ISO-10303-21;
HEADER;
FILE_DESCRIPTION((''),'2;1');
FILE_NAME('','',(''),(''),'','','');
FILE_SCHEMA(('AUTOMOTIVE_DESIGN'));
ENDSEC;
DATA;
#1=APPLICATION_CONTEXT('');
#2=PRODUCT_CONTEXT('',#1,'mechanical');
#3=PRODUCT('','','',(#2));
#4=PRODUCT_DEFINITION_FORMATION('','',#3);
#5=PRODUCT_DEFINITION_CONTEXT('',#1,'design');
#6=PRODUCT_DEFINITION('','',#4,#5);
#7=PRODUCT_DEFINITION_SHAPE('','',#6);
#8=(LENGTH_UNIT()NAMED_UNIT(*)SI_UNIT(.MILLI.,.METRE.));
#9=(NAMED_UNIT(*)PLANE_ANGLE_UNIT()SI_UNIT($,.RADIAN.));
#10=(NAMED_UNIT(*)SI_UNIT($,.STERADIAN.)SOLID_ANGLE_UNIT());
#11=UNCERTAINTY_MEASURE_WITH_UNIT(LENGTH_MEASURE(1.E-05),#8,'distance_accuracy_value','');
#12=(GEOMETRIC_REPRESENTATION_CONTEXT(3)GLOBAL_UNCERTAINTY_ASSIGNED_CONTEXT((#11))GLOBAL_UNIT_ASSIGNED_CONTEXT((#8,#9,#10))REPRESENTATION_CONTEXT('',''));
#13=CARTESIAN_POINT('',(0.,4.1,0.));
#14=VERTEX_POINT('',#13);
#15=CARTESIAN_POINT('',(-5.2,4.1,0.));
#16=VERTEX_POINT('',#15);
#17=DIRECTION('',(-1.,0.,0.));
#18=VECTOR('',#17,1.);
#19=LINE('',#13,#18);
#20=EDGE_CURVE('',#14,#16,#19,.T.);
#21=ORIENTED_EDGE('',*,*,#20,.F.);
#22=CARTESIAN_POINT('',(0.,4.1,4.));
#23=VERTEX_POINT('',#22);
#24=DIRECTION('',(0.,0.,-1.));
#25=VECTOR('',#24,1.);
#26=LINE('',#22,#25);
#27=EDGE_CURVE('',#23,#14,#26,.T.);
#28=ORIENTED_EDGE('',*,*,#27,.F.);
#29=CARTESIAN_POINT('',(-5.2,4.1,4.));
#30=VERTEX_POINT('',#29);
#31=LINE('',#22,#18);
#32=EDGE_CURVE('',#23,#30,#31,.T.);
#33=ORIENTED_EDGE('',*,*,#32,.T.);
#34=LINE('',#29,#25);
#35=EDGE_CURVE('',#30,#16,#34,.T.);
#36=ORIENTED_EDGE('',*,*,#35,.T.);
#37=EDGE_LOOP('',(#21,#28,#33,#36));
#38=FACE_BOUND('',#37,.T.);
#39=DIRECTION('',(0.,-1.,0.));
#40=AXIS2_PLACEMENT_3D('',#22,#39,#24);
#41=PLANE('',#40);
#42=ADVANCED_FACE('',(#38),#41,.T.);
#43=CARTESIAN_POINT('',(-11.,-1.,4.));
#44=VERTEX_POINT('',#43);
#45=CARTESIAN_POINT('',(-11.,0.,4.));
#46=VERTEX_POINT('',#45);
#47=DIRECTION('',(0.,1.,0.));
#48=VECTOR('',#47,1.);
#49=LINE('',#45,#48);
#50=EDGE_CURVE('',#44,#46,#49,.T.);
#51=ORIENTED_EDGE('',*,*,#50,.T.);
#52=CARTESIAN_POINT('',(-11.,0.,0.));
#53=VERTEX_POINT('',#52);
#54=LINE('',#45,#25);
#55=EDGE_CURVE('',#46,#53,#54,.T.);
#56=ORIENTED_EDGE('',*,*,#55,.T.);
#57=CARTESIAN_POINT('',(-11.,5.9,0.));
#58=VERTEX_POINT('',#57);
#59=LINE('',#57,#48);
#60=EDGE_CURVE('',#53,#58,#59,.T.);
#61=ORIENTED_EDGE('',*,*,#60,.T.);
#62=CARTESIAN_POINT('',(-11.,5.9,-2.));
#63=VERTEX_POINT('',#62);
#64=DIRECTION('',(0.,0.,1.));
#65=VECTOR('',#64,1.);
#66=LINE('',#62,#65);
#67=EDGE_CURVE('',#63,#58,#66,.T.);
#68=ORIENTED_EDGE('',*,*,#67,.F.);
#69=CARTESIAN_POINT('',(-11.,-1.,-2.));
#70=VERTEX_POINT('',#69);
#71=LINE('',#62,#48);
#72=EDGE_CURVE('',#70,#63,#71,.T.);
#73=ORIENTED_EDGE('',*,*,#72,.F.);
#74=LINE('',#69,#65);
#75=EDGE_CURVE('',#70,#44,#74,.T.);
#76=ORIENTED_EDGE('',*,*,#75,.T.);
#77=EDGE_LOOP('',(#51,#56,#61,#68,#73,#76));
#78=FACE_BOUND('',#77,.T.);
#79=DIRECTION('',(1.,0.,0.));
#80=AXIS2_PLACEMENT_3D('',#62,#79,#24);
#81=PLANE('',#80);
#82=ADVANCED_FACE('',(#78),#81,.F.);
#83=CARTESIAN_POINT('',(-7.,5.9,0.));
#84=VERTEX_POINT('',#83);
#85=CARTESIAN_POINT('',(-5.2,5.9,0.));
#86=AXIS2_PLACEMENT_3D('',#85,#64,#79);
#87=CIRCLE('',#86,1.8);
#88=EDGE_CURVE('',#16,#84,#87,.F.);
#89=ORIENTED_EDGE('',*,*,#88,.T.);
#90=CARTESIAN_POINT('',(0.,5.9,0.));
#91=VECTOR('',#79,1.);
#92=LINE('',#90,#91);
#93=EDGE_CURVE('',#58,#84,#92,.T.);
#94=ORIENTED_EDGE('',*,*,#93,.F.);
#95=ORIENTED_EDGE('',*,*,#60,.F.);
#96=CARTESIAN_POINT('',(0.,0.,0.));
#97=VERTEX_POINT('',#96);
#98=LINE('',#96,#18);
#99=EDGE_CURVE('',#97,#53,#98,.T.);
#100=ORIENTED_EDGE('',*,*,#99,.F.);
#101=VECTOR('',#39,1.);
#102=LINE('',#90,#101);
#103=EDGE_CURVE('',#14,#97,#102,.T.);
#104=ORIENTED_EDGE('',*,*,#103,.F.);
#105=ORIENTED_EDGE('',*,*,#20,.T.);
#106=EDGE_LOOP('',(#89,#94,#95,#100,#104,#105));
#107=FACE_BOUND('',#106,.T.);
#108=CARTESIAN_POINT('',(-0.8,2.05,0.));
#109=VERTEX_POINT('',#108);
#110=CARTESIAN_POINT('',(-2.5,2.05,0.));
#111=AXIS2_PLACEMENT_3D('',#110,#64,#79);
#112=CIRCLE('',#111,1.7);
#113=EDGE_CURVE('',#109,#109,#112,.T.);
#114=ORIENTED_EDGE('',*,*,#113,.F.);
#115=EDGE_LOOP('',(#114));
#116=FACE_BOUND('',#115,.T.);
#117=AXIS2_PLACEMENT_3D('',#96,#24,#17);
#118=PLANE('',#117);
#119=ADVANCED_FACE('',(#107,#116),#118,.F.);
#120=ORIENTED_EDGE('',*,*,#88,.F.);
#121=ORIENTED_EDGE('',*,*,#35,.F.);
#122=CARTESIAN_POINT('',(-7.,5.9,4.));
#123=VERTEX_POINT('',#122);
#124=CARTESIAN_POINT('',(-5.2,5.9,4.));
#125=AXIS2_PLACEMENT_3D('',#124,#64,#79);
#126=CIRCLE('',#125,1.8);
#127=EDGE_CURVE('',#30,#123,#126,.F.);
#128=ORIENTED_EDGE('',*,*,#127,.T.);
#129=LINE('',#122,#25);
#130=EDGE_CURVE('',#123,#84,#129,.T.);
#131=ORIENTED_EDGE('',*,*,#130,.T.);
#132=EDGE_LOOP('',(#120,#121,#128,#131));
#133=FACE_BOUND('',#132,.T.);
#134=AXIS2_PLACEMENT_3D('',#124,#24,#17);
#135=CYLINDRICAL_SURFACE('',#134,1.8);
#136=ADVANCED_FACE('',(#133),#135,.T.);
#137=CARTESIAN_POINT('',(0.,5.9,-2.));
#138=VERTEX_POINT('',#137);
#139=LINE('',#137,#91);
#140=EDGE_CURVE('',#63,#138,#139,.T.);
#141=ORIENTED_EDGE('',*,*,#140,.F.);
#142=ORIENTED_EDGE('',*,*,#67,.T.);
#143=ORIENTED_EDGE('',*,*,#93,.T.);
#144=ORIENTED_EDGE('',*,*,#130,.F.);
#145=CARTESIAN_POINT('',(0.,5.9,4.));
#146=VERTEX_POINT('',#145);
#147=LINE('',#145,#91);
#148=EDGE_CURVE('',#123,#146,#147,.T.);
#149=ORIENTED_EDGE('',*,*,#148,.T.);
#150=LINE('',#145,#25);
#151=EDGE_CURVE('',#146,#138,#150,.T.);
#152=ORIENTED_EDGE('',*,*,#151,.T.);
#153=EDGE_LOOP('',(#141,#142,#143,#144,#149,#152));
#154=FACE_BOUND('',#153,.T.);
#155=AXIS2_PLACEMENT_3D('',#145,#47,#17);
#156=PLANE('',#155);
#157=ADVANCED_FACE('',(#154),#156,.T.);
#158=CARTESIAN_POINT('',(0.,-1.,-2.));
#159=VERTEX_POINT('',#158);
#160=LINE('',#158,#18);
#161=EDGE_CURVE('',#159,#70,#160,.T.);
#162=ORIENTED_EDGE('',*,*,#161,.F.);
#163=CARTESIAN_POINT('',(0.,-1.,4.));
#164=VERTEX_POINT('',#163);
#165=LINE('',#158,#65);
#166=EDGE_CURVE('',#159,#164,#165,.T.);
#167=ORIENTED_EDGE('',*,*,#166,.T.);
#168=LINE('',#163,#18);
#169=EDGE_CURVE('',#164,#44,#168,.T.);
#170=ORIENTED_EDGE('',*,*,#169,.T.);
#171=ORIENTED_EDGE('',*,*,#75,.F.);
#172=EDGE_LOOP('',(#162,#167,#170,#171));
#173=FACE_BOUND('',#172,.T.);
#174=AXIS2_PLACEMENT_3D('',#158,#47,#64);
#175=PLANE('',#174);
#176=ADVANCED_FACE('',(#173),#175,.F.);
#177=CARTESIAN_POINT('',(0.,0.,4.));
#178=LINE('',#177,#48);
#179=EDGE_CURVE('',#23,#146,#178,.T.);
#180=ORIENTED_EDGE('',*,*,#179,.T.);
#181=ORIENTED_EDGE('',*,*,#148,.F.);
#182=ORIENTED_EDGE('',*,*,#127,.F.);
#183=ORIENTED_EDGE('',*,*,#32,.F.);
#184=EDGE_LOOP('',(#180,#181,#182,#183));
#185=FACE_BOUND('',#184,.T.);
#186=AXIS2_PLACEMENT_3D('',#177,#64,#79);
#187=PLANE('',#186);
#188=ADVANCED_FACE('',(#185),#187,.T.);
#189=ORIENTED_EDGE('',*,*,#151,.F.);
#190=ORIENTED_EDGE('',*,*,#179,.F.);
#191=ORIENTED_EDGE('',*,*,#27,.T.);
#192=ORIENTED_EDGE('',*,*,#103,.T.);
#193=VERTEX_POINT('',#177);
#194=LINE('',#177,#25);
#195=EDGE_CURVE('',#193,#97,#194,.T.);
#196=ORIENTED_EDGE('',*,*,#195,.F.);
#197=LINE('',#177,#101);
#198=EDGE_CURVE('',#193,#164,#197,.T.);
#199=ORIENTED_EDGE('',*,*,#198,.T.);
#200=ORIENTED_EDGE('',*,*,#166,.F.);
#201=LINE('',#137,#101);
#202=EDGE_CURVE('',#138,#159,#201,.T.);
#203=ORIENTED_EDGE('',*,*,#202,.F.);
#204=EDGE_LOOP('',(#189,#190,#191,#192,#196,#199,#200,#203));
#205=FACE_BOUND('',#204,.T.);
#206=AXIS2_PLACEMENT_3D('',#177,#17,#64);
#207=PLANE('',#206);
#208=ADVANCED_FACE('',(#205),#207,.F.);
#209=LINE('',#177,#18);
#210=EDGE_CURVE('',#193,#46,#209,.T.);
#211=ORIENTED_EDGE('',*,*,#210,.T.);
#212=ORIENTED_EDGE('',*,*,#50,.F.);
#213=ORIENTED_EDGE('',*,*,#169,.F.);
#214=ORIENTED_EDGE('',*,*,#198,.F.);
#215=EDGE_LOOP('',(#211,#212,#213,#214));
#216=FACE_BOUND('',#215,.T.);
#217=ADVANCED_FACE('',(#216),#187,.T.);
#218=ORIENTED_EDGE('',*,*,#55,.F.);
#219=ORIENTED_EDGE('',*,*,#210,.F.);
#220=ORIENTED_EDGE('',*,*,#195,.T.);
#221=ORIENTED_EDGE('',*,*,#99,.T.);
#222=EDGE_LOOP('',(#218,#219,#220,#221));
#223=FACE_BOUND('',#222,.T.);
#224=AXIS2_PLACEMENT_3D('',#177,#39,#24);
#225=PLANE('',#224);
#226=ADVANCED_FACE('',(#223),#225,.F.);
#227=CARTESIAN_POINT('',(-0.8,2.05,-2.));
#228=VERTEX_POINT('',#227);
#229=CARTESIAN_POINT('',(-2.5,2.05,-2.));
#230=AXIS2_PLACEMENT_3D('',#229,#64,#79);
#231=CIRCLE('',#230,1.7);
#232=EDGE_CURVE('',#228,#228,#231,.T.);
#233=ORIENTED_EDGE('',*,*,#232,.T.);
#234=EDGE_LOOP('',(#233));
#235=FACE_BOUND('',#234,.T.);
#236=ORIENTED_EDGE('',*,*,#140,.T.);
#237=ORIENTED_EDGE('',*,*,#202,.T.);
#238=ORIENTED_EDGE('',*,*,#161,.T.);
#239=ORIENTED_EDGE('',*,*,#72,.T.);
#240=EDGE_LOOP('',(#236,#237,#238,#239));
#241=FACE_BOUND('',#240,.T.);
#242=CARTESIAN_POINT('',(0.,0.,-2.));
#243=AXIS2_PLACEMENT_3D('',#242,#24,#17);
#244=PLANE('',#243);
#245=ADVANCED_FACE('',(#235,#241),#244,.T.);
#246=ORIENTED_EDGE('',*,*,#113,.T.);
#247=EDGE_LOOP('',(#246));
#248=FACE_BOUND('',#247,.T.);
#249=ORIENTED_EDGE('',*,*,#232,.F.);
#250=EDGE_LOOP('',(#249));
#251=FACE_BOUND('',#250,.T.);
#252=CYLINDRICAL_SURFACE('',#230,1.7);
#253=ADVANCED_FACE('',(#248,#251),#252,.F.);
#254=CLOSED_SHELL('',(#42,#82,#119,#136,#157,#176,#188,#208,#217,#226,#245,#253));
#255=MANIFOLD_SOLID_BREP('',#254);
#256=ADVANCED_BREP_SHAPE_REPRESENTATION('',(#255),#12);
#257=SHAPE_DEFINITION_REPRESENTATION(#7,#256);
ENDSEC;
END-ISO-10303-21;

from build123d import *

# Parameters (mm, degrees)
BOSS_EXTRUDE1_DEPTH   = 4
SKETCH2_W             = 11
SKETCH2_H             = 1
BOSS_EXTRUDE1_2_DEPTH = 4
SKETCH3_W             = 11
SKETCH3_H             = 6.9
BOSS_EXTRUDE2_DEPTH   = 2
SKETCH5_R             = 1.7
CUT_EXTRUDE1_DEPTH    = 2


with BuildPart() as part:
    # Sketch2 → Boss-Extrude1 (new body)
    with BuildSketch(Plane.XY):
        with BuildLine():
            Line((-5, 4.1), (0, 4.1))
            Line((0, 4.1), (0, 5.1))
            Line((0, 5.1), (0, 5.9))
            Line((0, 5.9), (-5, 5.9))
            Line((-5, 5.9), (-7, 5.9))
            ThreePointArc((-7, 5.9), (-6.472792206, 4.627207794), (-5.2, 4.1))
            Line((-5.2, 4.1), (-5, 4.1))
        make_face()
    extrude(amount=BOSS_EXTRUDE1_DEPTH)



with BuildPart() as body_2:
    # Sketch2 → Boss-Extrude1 2 (new body)
    with BuildSketch(Plane.XY):
        with Locations((-5.5, -0.5)):
            Rectangle(SKETCH2_W, SKETCH2_H)
    extrude(amount=BOSS_EXTRUDE1_2_DEPTH)


with BuildPart() as part_1:
    add(part.part)

    add(body_2.part)  # Boss-Extrude2 merges body 2
    # Sketch3 → Boss-Extrude2 (add)
    with BuildSketch(Plane(origin=(0, 0, 0), x_dir=(-1, 0, 0), z_dir=(0, 0, -1))):
        with Locations((5.5, 2.45)):
            Rectangle(SKETCH3_W, SKETCH3_H)
    extrude(amount=BOSS_EXTRUDE2_DEPTH)

    # Sketch5 → Cut-Extrude1 (cut)
    with BuildSketch(Plane.XY):
        with Locations((-2.5, 2.05)):
            Circle(SKETCH5_R)
    extrude(amount=-CUT_EXTRUDE1_DEPTH, mode=Mode.SUBTRACT)


solid = part_1.part
